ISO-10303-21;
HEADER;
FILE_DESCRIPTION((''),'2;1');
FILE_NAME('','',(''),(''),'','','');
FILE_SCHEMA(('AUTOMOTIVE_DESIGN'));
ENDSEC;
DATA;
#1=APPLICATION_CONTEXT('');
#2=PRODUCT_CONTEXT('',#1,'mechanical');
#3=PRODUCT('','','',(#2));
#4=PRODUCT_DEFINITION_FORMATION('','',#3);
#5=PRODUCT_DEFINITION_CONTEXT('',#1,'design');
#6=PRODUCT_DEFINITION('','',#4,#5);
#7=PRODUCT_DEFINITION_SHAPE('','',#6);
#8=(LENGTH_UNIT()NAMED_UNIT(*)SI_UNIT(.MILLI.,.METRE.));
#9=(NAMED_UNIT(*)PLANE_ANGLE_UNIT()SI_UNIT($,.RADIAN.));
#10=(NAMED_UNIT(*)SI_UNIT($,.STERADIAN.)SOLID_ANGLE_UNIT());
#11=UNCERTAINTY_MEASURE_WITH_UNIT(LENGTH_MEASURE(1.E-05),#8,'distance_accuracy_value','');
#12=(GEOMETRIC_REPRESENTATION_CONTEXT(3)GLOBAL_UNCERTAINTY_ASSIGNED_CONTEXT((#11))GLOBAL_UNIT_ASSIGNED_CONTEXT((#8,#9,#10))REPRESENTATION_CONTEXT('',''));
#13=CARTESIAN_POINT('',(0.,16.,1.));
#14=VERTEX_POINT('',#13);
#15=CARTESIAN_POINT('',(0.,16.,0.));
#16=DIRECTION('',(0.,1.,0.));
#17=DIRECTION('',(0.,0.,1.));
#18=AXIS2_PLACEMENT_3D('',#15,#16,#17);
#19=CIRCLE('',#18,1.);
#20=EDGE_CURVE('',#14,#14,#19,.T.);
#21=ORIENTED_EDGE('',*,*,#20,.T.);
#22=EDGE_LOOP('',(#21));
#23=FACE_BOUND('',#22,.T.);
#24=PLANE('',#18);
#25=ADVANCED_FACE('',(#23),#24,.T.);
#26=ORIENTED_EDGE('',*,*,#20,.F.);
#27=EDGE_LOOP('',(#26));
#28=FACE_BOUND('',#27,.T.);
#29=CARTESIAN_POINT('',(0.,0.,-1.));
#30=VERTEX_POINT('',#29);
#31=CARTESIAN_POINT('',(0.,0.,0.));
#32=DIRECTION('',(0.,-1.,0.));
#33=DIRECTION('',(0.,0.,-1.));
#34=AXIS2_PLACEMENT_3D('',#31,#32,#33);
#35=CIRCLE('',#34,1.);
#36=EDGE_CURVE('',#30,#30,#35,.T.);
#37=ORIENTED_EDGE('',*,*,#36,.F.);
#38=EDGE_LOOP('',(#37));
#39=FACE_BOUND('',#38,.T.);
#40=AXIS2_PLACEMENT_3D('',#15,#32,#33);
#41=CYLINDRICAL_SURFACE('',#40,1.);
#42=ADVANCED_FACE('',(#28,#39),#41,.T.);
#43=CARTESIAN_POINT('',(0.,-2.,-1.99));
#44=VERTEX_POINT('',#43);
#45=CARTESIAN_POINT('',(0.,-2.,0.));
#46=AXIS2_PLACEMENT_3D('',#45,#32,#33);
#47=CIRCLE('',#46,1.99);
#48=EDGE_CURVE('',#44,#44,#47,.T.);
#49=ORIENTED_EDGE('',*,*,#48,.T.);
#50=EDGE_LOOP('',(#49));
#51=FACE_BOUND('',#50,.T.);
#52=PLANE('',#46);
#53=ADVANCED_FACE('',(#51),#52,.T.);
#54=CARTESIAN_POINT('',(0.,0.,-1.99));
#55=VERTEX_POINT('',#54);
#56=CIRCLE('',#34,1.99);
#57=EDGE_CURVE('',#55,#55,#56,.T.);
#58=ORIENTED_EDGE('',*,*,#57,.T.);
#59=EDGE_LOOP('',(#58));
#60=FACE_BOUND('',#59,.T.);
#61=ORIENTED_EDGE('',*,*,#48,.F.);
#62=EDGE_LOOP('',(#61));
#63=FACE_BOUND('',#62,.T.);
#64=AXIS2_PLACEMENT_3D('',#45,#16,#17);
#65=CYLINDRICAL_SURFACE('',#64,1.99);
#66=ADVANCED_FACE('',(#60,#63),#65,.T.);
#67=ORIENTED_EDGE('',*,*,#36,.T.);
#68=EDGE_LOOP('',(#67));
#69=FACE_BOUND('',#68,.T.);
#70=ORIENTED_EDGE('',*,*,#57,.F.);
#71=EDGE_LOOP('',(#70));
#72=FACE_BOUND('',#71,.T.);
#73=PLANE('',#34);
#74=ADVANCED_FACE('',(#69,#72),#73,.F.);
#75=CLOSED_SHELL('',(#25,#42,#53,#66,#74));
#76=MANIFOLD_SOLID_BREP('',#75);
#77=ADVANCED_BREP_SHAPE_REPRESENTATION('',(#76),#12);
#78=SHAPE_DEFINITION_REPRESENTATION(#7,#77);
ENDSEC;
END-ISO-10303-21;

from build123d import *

# Parameters (mm, degrees)
SKETCH_1_R      = 1
EXTRUDE_1_DEPTH = 16
SKETCH_2_R      = 1.99
EXTRUDE_2_DEPTH = 2


with BuildPart() as part:
    # 草图1 → 凸台-拉伸1 (new body)
    with BuildSketch(Plane(origin=(0, 0, 0), x_dir=(1, 0, 0), z_dir=(0, 1, 0))):
        with Locations(Location((0, 0, 0), (0, 0, 270))):
            Circle(SKETCH_1_R)
    extrude(amount=EXTRUDE_1_DEPTH)

    # 草图2 → 凸台-拉伸2 (add)
    with BuildSketch(Plane.XZ):
        with Locations(Location((0, 0, 0), (0, 0, 270))):
            Circle(SKETCH_2_R)
    extrude(amount=EXTRUDE_2_DEPTH)


solid = part.part
